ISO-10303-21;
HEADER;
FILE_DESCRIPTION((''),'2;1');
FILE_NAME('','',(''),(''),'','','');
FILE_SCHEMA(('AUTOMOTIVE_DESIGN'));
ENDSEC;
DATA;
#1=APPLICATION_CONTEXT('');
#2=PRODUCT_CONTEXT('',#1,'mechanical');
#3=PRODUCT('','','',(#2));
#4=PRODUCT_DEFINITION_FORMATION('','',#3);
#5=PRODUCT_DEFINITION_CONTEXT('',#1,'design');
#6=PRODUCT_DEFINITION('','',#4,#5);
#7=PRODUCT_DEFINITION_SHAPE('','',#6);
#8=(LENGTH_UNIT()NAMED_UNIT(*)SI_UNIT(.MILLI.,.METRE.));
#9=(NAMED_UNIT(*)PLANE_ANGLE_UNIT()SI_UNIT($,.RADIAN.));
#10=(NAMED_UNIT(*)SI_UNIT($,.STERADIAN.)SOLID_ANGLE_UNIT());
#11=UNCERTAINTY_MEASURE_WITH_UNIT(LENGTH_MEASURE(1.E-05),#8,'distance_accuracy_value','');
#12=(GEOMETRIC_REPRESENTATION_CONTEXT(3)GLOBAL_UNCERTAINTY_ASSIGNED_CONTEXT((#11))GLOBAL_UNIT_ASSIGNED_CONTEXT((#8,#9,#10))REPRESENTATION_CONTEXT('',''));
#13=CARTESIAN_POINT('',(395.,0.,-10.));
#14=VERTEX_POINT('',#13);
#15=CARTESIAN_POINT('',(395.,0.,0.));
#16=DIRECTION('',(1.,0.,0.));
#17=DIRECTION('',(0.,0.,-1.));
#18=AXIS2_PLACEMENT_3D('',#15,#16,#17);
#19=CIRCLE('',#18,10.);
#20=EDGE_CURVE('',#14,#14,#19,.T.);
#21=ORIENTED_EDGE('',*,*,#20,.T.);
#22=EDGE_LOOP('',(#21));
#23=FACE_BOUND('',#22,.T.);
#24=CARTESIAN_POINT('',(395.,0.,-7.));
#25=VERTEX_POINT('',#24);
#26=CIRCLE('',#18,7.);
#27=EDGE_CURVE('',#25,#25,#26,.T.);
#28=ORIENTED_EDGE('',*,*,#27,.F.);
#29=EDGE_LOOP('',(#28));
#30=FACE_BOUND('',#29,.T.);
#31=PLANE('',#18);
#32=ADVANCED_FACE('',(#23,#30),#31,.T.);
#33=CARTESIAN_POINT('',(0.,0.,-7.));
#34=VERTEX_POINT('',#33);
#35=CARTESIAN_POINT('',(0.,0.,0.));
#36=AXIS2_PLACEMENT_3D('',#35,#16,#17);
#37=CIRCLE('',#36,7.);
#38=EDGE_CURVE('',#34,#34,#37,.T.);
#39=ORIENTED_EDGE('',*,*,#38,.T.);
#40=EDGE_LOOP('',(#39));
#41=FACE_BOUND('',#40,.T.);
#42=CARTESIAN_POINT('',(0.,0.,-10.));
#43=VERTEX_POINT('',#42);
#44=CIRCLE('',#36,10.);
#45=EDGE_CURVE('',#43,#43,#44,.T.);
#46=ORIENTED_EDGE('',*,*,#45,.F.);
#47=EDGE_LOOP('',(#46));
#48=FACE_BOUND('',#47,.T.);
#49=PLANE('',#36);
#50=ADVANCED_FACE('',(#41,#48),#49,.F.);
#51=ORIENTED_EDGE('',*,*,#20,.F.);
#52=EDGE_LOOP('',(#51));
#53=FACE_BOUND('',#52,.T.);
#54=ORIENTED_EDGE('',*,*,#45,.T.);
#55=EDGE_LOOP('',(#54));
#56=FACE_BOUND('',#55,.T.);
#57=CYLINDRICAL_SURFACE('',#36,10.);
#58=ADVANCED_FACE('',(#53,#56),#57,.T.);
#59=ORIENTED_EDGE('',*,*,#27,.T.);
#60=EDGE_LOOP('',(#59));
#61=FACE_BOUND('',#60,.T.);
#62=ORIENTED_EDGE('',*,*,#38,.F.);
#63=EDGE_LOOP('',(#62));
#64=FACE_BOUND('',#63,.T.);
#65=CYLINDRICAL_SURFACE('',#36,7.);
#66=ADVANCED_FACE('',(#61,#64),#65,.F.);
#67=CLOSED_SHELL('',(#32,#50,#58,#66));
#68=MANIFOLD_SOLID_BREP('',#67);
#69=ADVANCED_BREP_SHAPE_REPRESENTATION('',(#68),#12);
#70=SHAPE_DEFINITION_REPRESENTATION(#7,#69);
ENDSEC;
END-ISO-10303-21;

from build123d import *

# Parameters (mm, degrees)
SWEEP_THIN1_PROFILE_R   = 10
SWEEP_THIN1_PROFILE_R_2 = 7


with BuildPart() as part:
    # Sweep-Thin1: sweep along a path in Sketch1
    with BuildLine(Plane(origin=(0, 0, 0), x_dir=(1, 0, 0), z_dir=(0, 1, 0))) as sweep_thin1_path:
        Line((0, 0), (395, 0))
    # Sweep-Thin1 profile (on start of the path) → Sweep-Thin1 (sweep)
    with BuildSketch(Plane(origin=(0, 0, 0), x_dir=(0, 0, 1), z_dir=(1, 0, 0))):
        Circle(SWEEP_THIN1_PROFILE_R)
        Circle(SWEEP_THIN1_PROFILE_R_2, mode=Mode.SUBTRACT)
    sweep(path=sweep_thin1_path.line)


solid = part.part
